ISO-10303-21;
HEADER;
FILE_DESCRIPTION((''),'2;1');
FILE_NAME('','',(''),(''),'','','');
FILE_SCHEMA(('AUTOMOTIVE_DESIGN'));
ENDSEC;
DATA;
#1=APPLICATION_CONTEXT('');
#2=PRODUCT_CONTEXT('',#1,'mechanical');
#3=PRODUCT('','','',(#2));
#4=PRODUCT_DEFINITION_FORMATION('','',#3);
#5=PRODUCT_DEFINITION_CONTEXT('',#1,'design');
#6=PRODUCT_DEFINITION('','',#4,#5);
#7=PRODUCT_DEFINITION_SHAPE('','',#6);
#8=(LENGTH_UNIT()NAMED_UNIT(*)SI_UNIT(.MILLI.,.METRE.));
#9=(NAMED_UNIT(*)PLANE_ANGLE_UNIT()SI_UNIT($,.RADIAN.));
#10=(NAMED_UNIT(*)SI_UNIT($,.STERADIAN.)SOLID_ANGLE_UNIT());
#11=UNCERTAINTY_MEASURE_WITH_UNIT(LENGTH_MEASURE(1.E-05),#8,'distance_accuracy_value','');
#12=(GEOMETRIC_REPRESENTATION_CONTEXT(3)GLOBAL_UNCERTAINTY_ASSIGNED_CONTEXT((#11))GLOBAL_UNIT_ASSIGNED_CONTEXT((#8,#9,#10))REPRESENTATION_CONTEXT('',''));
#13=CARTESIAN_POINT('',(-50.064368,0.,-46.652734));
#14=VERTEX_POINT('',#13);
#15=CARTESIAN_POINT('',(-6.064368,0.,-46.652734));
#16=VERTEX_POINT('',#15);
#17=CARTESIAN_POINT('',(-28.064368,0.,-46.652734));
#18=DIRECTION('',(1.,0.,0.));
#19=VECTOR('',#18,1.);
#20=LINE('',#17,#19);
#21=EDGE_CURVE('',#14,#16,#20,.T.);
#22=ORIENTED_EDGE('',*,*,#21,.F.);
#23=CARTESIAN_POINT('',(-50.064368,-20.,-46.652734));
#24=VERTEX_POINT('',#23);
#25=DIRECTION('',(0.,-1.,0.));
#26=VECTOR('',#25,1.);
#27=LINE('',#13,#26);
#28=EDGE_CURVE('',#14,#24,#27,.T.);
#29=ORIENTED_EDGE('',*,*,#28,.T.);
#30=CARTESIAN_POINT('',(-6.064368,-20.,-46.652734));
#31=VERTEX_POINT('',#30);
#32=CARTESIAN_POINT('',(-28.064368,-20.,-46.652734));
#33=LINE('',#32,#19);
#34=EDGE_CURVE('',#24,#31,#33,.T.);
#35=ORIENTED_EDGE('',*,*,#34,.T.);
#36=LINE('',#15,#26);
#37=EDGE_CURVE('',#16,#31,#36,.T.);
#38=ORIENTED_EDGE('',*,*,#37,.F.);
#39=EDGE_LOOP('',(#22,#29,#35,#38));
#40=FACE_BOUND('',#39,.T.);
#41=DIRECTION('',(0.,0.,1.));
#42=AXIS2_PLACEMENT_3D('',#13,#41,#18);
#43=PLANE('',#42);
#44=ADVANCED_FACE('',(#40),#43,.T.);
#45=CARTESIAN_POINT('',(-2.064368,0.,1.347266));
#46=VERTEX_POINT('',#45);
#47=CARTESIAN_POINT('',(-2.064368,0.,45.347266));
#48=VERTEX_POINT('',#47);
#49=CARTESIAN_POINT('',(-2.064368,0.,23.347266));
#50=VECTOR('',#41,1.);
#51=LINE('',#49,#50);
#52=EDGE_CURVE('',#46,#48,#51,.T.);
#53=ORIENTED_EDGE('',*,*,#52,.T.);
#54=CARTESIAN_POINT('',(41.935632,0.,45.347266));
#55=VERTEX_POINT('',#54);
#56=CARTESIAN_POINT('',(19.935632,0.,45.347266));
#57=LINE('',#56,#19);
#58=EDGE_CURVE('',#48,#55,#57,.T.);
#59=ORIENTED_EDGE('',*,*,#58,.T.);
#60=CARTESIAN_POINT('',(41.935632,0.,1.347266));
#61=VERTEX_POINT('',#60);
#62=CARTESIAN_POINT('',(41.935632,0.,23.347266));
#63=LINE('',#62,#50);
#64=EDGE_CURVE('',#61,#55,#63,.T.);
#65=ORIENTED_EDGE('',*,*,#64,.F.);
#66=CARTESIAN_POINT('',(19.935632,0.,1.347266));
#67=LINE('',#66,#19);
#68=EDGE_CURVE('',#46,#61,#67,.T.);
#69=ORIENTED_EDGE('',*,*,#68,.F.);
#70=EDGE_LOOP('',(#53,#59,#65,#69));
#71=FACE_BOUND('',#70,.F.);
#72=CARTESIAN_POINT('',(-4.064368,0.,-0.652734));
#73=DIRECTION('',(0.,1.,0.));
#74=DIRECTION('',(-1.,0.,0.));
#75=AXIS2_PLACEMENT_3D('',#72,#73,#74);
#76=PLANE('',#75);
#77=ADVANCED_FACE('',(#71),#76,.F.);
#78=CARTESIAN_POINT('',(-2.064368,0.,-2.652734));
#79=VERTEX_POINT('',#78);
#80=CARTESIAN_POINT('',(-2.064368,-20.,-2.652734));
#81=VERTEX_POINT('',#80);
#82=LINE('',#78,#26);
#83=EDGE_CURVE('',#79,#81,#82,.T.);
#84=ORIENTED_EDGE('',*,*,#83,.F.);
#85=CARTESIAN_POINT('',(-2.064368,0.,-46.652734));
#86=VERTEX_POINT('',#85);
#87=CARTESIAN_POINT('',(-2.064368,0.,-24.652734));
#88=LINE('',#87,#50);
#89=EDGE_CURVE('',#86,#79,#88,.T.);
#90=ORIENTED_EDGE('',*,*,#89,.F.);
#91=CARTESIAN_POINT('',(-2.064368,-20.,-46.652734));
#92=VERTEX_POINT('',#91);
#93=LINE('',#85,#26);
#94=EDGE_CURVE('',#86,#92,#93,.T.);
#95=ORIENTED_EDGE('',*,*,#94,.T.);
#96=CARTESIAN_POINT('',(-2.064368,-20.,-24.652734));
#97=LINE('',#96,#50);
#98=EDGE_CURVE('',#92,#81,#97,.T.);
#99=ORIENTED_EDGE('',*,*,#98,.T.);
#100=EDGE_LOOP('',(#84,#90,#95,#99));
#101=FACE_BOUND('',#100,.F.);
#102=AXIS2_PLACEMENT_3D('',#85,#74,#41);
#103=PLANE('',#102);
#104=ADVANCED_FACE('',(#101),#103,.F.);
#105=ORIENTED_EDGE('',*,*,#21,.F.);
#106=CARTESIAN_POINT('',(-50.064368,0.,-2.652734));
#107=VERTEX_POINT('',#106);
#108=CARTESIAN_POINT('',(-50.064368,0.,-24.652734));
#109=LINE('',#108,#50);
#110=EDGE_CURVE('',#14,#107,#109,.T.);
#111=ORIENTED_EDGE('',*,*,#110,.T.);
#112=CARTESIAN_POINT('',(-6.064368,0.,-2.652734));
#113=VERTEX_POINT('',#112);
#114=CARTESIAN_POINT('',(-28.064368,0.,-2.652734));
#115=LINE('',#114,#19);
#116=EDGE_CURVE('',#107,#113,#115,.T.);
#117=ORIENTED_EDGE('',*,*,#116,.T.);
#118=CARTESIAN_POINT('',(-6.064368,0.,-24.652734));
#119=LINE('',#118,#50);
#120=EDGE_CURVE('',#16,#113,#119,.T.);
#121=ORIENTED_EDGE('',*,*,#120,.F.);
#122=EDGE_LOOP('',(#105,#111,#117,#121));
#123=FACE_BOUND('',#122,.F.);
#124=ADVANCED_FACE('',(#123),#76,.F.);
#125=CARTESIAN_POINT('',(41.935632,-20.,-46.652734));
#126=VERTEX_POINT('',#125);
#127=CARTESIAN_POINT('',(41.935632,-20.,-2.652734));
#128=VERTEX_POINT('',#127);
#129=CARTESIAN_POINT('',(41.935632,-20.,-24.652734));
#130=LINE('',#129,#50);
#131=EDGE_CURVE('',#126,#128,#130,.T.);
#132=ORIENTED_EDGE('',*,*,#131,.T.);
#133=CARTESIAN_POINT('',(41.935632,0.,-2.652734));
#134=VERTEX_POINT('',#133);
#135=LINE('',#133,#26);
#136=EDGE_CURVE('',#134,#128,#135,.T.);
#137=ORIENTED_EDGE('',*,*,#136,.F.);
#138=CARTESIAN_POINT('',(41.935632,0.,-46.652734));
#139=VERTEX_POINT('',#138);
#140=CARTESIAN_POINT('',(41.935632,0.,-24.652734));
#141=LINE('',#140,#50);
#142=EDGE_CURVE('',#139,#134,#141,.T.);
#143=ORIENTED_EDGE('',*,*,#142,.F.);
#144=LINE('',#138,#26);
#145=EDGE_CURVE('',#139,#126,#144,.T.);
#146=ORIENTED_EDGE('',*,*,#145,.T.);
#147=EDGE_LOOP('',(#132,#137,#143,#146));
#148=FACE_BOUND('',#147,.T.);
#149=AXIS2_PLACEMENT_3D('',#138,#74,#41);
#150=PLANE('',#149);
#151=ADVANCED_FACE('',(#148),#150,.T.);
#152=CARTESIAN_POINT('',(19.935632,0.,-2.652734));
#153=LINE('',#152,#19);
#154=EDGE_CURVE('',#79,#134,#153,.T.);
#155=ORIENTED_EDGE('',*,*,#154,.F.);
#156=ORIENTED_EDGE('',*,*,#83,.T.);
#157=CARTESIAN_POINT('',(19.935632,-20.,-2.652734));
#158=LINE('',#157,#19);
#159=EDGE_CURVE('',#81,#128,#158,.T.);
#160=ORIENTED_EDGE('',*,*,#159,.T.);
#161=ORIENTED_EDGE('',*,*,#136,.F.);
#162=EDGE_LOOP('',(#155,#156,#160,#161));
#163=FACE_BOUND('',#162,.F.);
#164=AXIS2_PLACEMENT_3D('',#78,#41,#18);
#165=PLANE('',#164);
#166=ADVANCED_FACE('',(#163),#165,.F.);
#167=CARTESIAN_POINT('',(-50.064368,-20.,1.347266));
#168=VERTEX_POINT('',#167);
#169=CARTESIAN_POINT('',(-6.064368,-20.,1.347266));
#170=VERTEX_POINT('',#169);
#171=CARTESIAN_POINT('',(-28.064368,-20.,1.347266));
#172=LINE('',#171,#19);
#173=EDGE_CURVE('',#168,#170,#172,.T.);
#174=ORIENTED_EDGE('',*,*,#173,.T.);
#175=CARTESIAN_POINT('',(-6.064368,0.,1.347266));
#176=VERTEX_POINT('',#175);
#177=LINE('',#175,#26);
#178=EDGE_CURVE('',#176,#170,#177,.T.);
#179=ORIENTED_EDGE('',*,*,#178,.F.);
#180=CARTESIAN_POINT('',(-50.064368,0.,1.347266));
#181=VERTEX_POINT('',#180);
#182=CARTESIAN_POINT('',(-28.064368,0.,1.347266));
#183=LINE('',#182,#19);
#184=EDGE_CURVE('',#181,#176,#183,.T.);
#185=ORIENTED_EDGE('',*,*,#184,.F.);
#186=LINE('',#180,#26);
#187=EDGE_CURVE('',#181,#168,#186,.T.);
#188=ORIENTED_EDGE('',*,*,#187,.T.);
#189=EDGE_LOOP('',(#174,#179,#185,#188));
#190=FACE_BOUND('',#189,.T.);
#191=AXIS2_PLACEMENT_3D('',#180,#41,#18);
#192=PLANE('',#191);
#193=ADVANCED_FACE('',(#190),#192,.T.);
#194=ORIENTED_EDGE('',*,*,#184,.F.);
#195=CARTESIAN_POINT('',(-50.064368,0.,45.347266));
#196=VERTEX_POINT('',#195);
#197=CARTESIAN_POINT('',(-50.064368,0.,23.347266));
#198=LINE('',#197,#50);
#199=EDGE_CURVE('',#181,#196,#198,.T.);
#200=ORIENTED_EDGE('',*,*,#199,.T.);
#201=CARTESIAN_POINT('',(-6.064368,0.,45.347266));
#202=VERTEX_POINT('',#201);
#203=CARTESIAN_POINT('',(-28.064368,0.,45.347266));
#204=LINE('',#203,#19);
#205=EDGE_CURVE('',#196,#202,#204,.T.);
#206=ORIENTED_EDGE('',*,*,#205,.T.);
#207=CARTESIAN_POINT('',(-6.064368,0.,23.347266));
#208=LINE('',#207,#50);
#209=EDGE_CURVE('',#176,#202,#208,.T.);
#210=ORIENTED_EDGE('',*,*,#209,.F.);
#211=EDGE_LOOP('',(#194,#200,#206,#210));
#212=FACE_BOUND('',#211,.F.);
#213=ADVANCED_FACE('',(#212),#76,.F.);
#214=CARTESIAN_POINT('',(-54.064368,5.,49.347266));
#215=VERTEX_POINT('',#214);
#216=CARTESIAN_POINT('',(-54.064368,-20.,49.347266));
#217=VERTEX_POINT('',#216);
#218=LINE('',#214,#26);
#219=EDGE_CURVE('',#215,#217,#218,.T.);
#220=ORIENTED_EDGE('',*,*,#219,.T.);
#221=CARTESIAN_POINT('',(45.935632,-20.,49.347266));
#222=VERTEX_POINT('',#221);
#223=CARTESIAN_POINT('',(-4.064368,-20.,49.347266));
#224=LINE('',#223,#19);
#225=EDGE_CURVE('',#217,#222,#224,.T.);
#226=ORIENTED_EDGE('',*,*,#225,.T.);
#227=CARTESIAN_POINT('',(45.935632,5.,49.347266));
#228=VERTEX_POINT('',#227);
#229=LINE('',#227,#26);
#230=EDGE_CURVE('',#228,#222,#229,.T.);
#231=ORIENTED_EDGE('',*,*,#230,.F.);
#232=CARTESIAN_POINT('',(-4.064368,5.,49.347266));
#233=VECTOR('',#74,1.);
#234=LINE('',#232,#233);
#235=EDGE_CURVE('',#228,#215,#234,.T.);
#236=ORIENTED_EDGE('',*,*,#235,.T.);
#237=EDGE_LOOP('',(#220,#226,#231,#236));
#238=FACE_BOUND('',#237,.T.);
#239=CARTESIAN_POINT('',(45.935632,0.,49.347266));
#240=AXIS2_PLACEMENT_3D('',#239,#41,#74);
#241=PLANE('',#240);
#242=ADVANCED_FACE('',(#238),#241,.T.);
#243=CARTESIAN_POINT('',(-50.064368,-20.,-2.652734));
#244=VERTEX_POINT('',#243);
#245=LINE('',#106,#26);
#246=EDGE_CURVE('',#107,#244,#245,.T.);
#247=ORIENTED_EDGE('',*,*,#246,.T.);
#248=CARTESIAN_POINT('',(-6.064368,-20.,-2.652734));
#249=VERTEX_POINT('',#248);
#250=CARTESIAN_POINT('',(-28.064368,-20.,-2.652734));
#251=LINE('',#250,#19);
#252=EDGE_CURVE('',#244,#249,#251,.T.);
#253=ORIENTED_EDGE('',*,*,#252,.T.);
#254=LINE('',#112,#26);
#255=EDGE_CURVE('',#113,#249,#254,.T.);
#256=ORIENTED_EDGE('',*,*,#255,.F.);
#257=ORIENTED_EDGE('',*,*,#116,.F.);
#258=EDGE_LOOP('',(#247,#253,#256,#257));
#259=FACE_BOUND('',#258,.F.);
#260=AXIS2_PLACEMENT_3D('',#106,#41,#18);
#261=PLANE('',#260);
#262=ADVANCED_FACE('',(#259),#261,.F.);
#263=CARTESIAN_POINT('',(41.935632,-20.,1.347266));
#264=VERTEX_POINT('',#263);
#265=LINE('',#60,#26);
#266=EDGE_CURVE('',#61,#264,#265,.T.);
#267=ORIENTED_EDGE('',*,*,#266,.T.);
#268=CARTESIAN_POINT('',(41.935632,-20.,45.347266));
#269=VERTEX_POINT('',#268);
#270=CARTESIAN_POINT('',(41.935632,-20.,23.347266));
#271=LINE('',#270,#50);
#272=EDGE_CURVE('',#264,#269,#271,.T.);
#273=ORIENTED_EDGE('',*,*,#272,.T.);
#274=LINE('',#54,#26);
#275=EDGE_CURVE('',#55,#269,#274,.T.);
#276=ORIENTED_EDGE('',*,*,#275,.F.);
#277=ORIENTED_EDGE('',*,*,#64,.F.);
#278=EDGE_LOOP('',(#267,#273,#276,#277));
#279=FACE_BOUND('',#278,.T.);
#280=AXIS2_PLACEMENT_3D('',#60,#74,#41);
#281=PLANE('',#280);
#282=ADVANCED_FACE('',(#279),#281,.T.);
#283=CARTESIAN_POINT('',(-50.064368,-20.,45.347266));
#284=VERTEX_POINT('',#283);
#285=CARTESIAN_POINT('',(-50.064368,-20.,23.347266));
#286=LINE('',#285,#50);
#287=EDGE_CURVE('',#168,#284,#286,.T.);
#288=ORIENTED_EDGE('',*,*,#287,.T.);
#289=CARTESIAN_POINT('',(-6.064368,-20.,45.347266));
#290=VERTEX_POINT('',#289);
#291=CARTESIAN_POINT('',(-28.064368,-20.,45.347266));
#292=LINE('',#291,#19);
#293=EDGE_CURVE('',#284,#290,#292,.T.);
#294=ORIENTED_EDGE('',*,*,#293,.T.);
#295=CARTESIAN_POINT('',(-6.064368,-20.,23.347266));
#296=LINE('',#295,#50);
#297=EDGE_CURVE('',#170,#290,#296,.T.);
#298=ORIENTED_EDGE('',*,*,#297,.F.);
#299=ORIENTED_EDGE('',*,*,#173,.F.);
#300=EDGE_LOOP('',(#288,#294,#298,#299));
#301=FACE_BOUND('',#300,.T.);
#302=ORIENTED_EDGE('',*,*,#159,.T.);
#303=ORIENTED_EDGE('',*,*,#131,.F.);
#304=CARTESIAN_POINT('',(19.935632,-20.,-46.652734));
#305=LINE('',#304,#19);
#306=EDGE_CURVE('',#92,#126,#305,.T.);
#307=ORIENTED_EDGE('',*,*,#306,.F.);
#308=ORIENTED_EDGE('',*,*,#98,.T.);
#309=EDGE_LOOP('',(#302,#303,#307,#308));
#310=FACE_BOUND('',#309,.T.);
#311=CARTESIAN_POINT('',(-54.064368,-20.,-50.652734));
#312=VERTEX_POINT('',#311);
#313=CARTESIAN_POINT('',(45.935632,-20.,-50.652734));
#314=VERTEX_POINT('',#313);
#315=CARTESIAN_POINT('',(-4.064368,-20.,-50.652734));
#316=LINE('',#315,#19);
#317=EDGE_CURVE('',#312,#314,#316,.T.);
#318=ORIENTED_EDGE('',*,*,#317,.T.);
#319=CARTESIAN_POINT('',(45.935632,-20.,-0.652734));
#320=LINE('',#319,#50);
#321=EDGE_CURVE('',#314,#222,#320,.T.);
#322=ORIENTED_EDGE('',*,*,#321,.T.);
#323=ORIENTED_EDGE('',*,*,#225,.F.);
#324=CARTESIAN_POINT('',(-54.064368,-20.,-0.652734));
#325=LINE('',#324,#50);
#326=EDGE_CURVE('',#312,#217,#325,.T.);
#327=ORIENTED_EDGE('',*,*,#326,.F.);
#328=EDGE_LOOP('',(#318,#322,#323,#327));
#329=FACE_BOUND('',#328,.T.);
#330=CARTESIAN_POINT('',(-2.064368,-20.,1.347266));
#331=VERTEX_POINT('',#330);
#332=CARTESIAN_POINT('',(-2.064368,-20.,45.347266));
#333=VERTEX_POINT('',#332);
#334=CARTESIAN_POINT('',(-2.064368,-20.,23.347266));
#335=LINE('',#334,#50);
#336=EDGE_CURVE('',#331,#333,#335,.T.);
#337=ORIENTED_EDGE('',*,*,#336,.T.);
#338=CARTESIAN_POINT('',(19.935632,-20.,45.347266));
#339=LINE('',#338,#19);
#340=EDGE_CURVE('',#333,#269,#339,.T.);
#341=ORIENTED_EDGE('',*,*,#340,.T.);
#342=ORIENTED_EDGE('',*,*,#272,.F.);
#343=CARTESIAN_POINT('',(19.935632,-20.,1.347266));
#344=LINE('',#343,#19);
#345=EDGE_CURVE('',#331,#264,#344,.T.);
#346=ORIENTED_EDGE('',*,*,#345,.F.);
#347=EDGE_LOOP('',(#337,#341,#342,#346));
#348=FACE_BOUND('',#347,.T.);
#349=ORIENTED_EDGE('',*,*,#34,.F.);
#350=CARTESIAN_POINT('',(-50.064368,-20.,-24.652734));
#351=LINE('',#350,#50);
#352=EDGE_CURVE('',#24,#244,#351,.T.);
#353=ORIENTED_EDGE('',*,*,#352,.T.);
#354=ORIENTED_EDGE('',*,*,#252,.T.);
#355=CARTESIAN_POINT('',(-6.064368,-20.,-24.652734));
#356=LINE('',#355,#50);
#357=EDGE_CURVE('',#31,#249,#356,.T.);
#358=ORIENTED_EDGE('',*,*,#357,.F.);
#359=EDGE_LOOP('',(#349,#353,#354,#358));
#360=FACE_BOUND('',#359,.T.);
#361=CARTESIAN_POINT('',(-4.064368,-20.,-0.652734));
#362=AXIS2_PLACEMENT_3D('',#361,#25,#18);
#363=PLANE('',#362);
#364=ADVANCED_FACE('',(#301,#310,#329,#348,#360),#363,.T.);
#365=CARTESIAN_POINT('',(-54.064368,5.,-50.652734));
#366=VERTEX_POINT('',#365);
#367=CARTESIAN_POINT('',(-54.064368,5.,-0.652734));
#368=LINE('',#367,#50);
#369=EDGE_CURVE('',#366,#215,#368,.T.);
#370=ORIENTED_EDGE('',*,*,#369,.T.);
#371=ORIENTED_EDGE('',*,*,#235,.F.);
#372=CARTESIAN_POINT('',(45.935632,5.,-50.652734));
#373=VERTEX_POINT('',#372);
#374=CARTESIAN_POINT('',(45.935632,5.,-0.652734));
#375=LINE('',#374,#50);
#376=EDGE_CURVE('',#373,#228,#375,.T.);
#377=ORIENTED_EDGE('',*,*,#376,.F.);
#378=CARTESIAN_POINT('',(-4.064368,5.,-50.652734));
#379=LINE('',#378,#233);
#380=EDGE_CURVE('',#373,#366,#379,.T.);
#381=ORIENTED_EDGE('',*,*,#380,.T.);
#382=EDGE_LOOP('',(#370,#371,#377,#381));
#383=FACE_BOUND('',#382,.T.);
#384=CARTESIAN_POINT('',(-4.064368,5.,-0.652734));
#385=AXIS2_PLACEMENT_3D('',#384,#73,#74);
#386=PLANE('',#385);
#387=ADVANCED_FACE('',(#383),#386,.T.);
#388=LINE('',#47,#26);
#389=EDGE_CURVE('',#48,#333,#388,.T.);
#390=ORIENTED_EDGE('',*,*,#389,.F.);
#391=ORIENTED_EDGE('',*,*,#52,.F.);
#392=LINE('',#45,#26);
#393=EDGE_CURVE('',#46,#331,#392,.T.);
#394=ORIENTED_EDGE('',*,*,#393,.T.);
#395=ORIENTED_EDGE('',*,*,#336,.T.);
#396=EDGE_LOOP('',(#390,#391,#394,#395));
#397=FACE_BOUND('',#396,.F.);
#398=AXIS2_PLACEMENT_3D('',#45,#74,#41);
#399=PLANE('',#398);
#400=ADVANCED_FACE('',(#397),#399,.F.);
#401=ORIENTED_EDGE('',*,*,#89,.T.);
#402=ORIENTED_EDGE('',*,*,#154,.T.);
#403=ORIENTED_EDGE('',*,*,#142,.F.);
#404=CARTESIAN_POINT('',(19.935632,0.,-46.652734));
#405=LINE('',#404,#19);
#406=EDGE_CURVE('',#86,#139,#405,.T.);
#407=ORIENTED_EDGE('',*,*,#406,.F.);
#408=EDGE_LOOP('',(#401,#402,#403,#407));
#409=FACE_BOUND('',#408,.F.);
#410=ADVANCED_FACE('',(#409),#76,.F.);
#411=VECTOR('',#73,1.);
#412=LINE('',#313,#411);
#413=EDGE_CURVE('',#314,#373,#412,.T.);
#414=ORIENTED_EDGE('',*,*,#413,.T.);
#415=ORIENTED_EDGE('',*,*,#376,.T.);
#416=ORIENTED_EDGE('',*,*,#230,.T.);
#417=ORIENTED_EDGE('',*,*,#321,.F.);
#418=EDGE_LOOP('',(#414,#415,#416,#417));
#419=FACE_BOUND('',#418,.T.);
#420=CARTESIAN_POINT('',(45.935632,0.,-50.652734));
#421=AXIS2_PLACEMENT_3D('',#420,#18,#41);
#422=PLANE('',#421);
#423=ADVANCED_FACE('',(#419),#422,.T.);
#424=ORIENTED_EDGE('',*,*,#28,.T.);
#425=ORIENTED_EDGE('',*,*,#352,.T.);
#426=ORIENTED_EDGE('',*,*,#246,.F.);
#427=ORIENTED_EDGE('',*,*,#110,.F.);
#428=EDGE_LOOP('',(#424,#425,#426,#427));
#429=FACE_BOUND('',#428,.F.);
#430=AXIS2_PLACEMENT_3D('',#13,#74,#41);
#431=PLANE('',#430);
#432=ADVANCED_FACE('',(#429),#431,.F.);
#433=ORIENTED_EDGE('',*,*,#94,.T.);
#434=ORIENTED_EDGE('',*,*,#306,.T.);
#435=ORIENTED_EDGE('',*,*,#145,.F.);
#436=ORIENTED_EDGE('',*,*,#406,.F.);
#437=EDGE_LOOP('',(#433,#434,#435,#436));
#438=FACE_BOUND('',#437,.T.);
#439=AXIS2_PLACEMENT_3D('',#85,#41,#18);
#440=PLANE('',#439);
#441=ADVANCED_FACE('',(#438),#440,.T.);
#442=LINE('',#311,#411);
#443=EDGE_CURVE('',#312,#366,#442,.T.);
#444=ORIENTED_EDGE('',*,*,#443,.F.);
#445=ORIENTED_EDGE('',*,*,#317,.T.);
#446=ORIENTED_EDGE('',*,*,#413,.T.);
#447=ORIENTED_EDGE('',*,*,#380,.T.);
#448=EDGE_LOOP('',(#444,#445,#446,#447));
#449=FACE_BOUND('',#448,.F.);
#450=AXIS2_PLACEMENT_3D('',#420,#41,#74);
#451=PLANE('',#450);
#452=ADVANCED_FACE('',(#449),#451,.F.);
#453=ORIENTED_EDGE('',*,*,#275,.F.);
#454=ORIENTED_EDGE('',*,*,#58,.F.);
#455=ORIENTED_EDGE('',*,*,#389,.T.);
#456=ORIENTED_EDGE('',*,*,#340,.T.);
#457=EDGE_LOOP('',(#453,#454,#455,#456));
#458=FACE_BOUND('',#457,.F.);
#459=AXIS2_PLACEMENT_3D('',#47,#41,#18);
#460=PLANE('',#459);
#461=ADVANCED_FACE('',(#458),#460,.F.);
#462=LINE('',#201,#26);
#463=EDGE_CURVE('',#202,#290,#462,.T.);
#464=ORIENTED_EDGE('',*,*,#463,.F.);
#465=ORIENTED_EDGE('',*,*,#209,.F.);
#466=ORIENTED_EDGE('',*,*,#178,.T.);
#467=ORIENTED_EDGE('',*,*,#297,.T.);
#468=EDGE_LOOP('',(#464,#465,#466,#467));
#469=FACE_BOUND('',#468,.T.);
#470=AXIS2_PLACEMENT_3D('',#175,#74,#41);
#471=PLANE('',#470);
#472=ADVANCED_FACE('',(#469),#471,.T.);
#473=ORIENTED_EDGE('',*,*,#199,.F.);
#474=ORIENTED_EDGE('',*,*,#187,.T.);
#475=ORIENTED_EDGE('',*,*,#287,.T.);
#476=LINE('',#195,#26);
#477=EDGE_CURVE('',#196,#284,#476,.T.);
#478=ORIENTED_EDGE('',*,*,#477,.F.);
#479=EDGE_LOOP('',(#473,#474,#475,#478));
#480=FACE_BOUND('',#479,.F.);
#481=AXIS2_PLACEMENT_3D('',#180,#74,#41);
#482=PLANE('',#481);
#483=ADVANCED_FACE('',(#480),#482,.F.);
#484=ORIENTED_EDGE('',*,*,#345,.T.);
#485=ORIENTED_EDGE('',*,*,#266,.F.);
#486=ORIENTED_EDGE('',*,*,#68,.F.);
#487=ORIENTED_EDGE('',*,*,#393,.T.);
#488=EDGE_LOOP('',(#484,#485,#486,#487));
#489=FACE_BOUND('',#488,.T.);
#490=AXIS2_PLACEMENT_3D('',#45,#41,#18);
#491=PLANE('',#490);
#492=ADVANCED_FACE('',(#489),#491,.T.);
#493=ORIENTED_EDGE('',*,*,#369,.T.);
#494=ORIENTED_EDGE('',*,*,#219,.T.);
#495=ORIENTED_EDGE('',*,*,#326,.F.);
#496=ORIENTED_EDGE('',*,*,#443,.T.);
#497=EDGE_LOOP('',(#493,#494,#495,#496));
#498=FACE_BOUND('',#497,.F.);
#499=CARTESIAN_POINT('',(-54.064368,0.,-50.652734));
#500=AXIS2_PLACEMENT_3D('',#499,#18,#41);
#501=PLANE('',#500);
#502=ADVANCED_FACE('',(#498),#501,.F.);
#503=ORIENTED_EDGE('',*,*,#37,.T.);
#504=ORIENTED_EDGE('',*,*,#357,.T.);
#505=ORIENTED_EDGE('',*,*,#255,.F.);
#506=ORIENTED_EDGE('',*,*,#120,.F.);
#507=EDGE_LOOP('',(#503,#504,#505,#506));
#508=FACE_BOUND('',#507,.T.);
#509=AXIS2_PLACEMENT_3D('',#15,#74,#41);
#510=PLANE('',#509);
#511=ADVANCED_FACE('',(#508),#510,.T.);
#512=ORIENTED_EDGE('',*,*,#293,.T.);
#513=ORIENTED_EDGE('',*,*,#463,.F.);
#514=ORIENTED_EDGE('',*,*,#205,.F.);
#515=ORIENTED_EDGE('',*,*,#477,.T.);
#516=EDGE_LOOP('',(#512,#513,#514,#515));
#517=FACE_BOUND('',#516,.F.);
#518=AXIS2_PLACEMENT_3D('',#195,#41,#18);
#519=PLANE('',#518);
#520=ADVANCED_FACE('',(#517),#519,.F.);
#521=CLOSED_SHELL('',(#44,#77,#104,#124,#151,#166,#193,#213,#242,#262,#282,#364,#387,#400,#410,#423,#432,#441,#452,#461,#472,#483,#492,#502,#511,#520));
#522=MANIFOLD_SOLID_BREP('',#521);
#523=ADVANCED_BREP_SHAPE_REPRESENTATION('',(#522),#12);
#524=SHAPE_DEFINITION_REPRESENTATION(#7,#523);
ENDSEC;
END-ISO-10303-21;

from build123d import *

# Parameters (mm, degrees)
F0_W     = 100
F0_H     = 100
F0_W_2   = 44
F0_H_2   = 44
F1_DEPTH = 20
F2_W     = 100
F2_H     = 100
F3_DEPTH = 5


with BuildPart() as f1:
    # F0 (on Front) → F1 (new body)
    with BuildSketch(Plane.XZ):
        with Locations((-4.064368, -0.652734)):
            Rectangle(F0_W, F0_H)
        with Locations((-28.064368, -24.652734)):
            Rectangle(F0_W_2, F0_H_2, mode=Mode.SUBTRACT)
        with Locations((19.935632, -24.652734)):
            Rectangle(F0_W_2, F0_H_2, mode=Mode.SUBTRACT)
        with Locations((-28.064368, 23.347266)):
            Rectangle(F0_W_2, F0_H_2, mode=Mode.SUBTRACT)
        with Locations((19.935632, 23.347266)):
            Rectangle(F0_W_2, F0_H_2, mode=Mode.SUBTRACT)
    extrude(amount=F1_DEPTH)

    # F2 (on face) → F3 (join)
    with BuildSketch(Plane(origin=(0, 0, 0), x_dir=(-1, 0, 0), z_dir=(0, 1, 0))):
        with Locations((4.064368, -0.652734)):
            Rectangle(F2_W, F2_H)
    extrude(amount=F3_DEPTH)


solid = f1.part
